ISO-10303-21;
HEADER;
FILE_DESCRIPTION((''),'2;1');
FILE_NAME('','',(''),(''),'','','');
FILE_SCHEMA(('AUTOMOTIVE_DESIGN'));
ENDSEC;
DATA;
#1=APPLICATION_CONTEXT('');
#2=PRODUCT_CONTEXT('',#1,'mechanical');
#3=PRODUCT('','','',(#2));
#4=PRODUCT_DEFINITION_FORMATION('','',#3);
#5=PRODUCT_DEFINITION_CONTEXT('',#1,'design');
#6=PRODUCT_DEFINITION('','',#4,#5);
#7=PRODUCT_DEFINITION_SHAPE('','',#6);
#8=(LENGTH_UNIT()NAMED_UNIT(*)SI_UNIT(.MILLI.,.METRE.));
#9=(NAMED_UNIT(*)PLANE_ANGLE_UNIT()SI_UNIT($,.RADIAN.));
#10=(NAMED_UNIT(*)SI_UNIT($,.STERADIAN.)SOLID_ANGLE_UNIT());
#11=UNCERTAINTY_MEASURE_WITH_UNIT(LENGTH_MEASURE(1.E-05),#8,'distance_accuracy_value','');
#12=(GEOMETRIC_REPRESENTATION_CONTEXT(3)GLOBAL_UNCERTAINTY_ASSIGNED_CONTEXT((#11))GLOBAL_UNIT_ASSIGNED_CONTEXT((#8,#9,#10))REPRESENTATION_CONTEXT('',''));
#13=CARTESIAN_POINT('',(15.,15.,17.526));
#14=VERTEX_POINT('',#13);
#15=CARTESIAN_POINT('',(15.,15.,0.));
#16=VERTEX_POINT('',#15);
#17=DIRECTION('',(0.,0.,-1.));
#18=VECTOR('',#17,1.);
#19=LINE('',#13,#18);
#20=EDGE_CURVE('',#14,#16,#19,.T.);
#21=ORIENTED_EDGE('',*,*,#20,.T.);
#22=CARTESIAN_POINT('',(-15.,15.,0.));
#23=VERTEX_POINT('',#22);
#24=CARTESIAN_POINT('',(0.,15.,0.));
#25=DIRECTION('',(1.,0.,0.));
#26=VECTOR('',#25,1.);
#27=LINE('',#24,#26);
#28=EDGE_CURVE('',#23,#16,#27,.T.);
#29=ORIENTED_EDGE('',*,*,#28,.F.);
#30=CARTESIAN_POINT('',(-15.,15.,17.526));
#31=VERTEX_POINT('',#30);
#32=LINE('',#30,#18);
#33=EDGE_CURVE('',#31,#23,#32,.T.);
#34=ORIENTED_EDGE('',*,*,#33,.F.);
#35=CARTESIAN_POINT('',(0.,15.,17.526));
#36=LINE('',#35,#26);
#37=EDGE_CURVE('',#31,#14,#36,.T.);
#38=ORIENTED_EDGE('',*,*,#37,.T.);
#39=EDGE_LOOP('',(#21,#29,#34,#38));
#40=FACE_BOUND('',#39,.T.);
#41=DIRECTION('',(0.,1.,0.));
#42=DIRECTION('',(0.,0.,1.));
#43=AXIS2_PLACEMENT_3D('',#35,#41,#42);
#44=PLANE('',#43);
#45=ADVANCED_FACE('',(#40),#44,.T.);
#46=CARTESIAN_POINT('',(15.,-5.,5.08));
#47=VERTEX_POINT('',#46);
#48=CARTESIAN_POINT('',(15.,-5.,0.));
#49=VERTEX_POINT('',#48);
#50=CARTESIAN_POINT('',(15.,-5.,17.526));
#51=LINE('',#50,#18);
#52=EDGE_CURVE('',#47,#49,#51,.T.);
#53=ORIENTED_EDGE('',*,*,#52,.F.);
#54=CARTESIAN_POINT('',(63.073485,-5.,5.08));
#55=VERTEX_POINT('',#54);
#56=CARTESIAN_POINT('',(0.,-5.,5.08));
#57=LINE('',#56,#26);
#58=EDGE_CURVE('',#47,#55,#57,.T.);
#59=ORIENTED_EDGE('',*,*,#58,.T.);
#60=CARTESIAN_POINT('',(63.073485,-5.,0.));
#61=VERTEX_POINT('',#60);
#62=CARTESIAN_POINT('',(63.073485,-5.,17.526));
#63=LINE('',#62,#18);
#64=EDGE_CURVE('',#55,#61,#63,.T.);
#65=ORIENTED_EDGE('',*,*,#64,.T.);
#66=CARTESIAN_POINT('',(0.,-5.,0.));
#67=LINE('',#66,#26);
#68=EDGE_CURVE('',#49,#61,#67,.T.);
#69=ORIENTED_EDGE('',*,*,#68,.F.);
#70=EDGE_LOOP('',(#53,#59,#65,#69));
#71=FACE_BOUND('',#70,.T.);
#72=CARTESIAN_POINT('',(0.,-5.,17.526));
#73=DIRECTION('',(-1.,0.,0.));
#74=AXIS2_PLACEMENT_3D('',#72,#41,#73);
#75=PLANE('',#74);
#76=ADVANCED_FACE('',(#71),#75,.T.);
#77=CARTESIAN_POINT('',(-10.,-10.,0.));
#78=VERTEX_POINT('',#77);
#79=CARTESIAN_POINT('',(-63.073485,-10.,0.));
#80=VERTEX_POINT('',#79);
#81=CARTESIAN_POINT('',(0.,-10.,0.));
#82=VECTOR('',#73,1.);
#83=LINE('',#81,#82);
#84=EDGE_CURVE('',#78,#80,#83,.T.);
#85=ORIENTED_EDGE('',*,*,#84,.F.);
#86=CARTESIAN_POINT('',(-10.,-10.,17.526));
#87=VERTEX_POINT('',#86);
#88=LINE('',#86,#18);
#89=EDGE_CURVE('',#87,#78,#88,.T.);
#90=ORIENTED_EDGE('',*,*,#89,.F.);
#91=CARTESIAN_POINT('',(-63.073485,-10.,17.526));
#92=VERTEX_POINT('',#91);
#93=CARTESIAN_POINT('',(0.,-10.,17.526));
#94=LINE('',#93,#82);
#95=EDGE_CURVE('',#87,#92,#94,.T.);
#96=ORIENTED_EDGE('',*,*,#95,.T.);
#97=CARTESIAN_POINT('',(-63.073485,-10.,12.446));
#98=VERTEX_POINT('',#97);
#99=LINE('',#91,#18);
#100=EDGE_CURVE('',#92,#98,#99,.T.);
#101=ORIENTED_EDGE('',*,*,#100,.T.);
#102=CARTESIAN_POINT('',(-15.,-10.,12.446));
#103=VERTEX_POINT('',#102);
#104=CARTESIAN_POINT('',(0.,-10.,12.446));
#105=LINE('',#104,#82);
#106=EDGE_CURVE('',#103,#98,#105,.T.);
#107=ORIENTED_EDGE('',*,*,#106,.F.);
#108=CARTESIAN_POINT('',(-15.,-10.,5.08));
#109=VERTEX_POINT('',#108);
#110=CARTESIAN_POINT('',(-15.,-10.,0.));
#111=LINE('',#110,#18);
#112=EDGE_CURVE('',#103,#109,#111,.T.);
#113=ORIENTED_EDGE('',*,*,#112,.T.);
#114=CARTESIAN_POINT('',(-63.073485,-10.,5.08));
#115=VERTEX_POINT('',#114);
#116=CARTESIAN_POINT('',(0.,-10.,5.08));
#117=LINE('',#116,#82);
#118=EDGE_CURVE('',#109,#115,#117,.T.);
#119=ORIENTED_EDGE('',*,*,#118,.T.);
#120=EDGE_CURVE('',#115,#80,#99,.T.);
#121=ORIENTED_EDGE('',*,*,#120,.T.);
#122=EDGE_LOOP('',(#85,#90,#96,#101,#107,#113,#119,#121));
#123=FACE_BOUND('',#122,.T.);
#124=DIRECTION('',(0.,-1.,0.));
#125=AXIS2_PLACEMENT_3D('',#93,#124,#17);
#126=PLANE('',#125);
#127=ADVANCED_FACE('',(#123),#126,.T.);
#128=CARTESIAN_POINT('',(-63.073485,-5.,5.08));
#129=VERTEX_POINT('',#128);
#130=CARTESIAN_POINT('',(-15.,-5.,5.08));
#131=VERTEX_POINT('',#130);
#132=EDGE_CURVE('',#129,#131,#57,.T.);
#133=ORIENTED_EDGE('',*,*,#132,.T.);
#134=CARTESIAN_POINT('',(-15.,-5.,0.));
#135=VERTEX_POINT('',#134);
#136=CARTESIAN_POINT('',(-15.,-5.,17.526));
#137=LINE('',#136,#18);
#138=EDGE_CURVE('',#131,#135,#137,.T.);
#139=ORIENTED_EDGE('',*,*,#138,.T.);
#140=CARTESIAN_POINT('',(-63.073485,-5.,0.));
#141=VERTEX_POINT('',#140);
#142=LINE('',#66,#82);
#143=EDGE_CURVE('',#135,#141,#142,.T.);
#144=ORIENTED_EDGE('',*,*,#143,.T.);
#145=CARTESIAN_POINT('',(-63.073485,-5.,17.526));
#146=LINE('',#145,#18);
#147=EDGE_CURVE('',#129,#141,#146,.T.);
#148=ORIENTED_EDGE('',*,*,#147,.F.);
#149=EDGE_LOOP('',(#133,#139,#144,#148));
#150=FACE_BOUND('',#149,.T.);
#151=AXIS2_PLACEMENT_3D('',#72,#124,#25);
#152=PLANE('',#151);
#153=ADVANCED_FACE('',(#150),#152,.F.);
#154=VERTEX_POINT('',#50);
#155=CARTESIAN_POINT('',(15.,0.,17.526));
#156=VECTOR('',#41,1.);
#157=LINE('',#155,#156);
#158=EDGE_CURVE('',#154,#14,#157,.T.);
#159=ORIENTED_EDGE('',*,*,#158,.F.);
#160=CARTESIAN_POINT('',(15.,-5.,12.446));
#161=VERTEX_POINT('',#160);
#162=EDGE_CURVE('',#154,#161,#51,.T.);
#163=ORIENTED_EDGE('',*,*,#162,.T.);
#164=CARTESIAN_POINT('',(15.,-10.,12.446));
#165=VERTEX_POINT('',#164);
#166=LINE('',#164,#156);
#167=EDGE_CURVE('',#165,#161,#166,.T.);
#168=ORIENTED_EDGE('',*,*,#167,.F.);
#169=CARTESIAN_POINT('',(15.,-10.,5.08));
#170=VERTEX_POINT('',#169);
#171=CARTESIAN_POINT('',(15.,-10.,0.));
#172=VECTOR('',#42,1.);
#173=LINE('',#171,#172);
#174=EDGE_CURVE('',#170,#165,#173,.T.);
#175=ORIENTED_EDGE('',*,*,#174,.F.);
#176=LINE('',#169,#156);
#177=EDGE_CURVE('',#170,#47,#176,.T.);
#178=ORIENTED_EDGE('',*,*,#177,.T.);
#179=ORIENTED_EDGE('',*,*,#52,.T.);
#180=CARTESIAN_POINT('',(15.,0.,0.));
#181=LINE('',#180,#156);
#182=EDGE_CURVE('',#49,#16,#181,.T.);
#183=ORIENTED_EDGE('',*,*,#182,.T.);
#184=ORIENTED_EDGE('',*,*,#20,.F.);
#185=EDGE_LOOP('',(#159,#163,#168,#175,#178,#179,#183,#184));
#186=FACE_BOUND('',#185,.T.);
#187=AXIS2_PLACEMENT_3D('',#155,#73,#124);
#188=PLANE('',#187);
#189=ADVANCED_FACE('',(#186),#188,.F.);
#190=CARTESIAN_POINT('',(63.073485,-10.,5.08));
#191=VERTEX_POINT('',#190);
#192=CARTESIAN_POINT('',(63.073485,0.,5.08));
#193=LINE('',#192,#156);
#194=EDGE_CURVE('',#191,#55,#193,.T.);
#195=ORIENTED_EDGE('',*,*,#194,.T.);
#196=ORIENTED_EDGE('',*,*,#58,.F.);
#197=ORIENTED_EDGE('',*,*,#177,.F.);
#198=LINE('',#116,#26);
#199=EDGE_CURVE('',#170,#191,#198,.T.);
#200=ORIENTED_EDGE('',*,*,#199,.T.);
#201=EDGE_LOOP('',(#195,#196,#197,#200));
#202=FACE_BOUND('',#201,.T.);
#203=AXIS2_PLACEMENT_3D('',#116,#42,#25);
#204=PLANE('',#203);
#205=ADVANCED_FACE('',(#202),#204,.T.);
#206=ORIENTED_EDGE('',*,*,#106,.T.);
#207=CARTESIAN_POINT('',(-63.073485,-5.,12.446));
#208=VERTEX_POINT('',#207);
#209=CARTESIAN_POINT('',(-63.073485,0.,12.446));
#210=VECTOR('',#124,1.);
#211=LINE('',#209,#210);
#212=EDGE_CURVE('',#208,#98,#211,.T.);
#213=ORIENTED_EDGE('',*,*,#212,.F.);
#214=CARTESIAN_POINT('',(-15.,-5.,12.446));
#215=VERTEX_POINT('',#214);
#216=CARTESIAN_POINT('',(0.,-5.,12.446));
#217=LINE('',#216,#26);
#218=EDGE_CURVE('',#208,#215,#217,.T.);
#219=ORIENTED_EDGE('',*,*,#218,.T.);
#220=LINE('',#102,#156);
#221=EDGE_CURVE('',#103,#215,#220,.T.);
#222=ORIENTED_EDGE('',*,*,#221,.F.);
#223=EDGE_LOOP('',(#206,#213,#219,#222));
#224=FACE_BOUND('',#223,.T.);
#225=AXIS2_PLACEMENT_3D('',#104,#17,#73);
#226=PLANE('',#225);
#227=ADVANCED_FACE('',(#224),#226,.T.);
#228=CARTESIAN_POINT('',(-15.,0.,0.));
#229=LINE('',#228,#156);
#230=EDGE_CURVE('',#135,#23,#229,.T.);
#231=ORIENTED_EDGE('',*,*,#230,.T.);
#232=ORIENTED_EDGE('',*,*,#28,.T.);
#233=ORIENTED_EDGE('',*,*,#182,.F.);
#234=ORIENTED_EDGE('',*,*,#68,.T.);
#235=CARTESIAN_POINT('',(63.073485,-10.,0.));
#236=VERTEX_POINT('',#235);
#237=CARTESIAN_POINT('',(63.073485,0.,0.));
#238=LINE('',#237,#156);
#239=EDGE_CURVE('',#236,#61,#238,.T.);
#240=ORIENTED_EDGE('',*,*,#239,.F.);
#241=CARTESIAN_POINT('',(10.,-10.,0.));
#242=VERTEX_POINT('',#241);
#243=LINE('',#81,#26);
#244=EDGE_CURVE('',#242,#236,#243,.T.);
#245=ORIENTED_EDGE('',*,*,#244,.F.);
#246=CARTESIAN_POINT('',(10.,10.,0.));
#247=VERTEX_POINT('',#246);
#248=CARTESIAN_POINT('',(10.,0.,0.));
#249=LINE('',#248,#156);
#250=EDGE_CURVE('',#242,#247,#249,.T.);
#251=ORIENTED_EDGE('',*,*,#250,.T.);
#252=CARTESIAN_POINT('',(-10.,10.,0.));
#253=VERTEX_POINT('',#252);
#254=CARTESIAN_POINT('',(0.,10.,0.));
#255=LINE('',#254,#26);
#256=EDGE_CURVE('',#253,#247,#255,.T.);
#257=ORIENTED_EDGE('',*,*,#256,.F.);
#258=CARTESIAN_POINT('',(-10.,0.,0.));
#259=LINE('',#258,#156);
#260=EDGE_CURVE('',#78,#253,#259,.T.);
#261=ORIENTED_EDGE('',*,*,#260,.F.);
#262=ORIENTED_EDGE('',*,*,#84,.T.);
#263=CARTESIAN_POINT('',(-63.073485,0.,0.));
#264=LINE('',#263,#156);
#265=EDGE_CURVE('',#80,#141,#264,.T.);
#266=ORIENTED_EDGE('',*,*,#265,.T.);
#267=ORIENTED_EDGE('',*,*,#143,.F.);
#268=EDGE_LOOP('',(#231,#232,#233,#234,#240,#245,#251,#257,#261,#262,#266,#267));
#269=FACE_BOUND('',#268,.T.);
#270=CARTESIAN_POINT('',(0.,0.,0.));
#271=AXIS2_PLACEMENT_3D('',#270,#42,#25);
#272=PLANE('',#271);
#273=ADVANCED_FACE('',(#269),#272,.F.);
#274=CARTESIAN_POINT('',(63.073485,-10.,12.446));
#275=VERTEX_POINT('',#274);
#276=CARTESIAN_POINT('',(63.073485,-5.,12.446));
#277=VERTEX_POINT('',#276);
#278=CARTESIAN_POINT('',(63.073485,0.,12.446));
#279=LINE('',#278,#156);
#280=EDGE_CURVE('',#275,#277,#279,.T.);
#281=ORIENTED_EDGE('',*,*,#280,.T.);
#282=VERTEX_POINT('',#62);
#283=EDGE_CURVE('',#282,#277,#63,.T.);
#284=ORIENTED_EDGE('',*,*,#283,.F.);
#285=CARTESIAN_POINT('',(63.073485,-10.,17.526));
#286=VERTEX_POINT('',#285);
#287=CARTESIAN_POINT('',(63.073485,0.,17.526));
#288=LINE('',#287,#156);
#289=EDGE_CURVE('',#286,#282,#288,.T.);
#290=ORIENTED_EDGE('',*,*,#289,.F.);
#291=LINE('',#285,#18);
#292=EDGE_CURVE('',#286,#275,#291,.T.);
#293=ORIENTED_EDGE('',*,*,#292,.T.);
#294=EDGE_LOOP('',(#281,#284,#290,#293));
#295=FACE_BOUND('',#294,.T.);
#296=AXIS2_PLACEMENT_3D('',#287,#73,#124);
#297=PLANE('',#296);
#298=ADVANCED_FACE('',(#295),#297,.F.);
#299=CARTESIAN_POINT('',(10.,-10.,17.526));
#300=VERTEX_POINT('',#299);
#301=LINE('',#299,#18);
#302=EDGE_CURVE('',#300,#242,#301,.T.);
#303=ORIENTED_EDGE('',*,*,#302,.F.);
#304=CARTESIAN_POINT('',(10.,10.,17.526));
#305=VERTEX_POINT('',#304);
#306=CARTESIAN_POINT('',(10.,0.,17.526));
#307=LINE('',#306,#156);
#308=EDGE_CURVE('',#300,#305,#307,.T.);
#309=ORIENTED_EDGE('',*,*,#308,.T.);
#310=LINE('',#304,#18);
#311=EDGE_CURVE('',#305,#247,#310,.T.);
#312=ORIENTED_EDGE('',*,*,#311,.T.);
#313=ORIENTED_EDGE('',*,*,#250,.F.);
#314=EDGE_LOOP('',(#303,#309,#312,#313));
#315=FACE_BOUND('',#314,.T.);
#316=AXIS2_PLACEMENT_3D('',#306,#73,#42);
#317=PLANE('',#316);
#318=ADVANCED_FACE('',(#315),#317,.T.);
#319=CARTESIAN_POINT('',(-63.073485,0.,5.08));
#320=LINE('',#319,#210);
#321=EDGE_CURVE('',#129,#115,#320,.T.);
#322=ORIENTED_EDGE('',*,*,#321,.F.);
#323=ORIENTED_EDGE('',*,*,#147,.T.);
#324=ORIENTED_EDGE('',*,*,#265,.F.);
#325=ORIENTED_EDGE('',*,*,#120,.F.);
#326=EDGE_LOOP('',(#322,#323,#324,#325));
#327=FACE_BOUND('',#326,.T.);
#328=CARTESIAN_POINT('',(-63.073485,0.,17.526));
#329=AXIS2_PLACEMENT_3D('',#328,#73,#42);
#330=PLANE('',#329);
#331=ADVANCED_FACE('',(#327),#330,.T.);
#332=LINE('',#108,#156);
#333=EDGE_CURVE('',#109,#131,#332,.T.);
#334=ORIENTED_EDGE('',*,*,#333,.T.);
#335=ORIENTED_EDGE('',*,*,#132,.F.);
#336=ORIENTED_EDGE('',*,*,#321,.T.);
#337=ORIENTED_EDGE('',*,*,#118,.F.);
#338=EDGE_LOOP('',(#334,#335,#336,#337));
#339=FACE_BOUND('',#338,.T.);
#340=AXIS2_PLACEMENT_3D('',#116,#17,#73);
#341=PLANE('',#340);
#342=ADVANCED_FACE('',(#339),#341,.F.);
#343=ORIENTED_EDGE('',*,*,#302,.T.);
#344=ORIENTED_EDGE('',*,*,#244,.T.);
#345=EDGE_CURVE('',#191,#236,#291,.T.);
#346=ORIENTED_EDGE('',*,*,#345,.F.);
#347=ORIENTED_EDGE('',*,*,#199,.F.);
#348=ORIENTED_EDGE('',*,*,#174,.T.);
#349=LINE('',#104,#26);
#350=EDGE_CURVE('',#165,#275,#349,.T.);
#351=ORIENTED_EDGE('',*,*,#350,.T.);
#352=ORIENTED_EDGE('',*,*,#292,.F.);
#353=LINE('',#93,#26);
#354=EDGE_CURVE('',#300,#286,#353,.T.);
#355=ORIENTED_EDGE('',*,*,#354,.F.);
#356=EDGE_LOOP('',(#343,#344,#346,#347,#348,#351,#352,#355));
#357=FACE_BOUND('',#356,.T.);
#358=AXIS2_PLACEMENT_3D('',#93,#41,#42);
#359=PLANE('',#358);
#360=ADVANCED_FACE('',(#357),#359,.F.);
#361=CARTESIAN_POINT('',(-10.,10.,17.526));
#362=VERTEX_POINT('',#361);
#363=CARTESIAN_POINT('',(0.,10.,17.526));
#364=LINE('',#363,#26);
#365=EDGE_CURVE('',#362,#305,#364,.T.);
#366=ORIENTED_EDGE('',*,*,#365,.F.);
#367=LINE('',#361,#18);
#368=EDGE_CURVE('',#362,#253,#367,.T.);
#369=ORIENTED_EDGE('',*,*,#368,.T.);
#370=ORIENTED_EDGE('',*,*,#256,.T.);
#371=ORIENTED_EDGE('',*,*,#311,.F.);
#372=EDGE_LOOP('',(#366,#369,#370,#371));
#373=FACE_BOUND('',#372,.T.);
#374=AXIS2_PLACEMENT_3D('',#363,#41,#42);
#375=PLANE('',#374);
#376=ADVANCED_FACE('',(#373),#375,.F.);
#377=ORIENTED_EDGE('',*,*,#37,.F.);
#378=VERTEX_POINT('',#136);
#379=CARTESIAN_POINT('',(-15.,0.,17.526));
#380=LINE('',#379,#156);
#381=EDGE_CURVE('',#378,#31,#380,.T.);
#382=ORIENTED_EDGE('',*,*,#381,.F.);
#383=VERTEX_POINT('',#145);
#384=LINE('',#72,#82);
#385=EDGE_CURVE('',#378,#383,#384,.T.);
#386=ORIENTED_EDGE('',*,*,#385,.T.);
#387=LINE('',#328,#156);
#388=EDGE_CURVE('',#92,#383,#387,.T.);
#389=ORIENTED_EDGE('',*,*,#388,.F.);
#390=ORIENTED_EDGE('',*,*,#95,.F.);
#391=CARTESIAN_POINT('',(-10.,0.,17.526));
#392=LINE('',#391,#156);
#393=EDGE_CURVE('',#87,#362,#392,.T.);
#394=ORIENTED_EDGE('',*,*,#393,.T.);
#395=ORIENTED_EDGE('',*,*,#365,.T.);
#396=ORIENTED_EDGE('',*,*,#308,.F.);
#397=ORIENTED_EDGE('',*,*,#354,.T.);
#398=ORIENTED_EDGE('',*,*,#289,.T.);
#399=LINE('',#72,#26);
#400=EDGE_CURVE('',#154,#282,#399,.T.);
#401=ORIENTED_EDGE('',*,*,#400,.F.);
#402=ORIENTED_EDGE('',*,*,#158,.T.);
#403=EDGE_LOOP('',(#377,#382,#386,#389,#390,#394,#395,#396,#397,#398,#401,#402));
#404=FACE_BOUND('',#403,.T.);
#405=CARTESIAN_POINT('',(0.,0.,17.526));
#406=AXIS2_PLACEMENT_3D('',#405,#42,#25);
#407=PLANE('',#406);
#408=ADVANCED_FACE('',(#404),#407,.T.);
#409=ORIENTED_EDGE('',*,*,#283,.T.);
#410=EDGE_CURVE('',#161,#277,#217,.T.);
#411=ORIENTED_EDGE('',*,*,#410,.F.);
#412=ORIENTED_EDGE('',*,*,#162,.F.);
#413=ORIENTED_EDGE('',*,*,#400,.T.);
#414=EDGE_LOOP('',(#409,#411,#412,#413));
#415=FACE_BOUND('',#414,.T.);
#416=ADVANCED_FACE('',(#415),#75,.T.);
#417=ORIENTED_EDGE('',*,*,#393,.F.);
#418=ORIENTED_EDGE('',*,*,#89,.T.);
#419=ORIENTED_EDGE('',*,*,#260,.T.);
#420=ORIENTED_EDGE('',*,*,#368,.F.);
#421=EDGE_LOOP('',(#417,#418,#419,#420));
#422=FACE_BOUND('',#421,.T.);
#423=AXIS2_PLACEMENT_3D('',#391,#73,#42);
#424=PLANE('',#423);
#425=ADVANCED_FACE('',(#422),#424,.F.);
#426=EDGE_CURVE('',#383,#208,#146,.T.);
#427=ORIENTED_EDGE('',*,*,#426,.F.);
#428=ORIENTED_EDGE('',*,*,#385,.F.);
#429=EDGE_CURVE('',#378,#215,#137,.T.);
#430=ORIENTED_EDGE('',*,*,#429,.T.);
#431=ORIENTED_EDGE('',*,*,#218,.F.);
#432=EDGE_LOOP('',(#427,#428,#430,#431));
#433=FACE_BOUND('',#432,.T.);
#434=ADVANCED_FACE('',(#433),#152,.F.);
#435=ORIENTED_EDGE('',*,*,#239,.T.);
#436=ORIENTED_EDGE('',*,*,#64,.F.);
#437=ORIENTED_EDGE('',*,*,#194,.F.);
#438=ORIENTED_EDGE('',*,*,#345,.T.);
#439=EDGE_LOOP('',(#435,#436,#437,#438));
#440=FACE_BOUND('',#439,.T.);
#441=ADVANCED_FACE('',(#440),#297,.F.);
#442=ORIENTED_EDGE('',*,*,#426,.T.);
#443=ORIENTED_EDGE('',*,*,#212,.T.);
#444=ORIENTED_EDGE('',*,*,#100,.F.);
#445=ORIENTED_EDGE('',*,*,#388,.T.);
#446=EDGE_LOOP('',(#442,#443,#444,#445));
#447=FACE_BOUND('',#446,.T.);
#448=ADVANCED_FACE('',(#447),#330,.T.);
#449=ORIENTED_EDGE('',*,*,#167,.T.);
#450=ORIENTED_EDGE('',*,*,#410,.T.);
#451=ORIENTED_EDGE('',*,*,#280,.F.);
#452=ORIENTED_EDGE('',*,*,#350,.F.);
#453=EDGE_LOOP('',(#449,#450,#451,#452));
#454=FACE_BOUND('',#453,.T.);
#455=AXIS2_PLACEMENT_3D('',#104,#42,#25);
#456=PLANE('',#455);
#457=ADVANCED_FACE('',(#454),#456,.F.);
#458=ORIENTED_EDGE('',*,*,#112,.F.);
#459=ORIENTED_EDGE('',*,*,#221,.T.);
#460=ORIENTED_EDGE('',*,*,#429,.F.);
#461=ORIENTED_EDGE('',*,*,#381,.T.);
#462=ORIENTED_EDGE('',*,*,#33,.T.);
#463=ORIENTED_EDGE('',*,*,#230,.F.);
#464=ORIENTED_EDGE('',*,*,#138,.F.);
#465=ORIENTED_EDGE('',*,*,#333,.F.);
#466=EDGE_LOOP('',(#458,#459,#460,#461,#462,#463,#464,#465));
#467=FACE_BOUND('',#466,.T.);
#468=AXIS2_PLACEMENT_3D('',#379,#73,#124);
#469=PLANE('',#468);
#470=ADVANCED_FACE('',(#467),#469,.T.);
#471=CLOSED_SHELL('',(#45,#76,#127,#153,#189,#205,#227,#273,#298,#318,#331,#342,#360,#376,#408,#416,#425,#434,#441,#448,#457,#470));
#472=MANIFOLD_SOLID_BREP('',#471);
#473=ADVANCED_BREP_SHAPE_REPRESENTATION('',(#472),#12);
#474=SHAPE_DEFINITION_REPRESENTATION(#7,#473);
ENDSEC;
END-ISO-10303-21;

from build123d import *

# Parameters (mm, degrees)
BOSS_EXTRUDE1_DEPTH     = 17.526
CUT_EXTRUDE1_DEPTH      = 69.450165313
CUT_EXTRUDE1_DEPTH_BACK = 69.450165313
SKETCH2_W               = 8.819814413
SKETCH2_H               = 7.366
SKETCH2_W_2             = 48.073484567
SKETCH2_W_3             = 56.89329898


with BuildPart() as part:
    # Sketch1 → Boss-Extrude1 (new body)
    with BuildSketch(Plane.XY):
        Polygon((10, -10), (15, -10), (63.073484567, -10), (63.073484567, -5), (15, -5), (15, 15), (-15, 15), (-15, -5), (-63.073484567, -5), (-63.073484567, -10), (-15, -10), (-10, -10), (-10, 10), (10, 10), align=None)
    extrude(amount=BOSS_EXTRUDE1_DEPTH)

    # Sketch2 → Cut-Extrude1 (cut, two sides: drawn at the far end of the back side and taken through both)
    with BuildSketch(Plane(origin=(0, -5, 0), x_dir=(1, 0, 0), z_dir=(0, 1, 0)).offset(-CUT_EXTRUDE1_DEPTH_BACK)):
        with Locations((-67.483391774, -8.763)):
            Rectangle(SKETCH2_W, SKETCH2_H)
        with Locations((-39.036742284, -8.763)):
            Rectangle(SKETCH2_W_2, SKETCH2_H)
        with Locations((43.44664949, -8.763)):
            Rectangle(SKETCH2_W_3, SKETCH2_H)
    extrude(amount=CUT_EXTRUDE1_DEPTH + CUT_EXTRUDE1_DEPTH_BACK, mode=Mode.SUBTRACT)


solid = part.part
